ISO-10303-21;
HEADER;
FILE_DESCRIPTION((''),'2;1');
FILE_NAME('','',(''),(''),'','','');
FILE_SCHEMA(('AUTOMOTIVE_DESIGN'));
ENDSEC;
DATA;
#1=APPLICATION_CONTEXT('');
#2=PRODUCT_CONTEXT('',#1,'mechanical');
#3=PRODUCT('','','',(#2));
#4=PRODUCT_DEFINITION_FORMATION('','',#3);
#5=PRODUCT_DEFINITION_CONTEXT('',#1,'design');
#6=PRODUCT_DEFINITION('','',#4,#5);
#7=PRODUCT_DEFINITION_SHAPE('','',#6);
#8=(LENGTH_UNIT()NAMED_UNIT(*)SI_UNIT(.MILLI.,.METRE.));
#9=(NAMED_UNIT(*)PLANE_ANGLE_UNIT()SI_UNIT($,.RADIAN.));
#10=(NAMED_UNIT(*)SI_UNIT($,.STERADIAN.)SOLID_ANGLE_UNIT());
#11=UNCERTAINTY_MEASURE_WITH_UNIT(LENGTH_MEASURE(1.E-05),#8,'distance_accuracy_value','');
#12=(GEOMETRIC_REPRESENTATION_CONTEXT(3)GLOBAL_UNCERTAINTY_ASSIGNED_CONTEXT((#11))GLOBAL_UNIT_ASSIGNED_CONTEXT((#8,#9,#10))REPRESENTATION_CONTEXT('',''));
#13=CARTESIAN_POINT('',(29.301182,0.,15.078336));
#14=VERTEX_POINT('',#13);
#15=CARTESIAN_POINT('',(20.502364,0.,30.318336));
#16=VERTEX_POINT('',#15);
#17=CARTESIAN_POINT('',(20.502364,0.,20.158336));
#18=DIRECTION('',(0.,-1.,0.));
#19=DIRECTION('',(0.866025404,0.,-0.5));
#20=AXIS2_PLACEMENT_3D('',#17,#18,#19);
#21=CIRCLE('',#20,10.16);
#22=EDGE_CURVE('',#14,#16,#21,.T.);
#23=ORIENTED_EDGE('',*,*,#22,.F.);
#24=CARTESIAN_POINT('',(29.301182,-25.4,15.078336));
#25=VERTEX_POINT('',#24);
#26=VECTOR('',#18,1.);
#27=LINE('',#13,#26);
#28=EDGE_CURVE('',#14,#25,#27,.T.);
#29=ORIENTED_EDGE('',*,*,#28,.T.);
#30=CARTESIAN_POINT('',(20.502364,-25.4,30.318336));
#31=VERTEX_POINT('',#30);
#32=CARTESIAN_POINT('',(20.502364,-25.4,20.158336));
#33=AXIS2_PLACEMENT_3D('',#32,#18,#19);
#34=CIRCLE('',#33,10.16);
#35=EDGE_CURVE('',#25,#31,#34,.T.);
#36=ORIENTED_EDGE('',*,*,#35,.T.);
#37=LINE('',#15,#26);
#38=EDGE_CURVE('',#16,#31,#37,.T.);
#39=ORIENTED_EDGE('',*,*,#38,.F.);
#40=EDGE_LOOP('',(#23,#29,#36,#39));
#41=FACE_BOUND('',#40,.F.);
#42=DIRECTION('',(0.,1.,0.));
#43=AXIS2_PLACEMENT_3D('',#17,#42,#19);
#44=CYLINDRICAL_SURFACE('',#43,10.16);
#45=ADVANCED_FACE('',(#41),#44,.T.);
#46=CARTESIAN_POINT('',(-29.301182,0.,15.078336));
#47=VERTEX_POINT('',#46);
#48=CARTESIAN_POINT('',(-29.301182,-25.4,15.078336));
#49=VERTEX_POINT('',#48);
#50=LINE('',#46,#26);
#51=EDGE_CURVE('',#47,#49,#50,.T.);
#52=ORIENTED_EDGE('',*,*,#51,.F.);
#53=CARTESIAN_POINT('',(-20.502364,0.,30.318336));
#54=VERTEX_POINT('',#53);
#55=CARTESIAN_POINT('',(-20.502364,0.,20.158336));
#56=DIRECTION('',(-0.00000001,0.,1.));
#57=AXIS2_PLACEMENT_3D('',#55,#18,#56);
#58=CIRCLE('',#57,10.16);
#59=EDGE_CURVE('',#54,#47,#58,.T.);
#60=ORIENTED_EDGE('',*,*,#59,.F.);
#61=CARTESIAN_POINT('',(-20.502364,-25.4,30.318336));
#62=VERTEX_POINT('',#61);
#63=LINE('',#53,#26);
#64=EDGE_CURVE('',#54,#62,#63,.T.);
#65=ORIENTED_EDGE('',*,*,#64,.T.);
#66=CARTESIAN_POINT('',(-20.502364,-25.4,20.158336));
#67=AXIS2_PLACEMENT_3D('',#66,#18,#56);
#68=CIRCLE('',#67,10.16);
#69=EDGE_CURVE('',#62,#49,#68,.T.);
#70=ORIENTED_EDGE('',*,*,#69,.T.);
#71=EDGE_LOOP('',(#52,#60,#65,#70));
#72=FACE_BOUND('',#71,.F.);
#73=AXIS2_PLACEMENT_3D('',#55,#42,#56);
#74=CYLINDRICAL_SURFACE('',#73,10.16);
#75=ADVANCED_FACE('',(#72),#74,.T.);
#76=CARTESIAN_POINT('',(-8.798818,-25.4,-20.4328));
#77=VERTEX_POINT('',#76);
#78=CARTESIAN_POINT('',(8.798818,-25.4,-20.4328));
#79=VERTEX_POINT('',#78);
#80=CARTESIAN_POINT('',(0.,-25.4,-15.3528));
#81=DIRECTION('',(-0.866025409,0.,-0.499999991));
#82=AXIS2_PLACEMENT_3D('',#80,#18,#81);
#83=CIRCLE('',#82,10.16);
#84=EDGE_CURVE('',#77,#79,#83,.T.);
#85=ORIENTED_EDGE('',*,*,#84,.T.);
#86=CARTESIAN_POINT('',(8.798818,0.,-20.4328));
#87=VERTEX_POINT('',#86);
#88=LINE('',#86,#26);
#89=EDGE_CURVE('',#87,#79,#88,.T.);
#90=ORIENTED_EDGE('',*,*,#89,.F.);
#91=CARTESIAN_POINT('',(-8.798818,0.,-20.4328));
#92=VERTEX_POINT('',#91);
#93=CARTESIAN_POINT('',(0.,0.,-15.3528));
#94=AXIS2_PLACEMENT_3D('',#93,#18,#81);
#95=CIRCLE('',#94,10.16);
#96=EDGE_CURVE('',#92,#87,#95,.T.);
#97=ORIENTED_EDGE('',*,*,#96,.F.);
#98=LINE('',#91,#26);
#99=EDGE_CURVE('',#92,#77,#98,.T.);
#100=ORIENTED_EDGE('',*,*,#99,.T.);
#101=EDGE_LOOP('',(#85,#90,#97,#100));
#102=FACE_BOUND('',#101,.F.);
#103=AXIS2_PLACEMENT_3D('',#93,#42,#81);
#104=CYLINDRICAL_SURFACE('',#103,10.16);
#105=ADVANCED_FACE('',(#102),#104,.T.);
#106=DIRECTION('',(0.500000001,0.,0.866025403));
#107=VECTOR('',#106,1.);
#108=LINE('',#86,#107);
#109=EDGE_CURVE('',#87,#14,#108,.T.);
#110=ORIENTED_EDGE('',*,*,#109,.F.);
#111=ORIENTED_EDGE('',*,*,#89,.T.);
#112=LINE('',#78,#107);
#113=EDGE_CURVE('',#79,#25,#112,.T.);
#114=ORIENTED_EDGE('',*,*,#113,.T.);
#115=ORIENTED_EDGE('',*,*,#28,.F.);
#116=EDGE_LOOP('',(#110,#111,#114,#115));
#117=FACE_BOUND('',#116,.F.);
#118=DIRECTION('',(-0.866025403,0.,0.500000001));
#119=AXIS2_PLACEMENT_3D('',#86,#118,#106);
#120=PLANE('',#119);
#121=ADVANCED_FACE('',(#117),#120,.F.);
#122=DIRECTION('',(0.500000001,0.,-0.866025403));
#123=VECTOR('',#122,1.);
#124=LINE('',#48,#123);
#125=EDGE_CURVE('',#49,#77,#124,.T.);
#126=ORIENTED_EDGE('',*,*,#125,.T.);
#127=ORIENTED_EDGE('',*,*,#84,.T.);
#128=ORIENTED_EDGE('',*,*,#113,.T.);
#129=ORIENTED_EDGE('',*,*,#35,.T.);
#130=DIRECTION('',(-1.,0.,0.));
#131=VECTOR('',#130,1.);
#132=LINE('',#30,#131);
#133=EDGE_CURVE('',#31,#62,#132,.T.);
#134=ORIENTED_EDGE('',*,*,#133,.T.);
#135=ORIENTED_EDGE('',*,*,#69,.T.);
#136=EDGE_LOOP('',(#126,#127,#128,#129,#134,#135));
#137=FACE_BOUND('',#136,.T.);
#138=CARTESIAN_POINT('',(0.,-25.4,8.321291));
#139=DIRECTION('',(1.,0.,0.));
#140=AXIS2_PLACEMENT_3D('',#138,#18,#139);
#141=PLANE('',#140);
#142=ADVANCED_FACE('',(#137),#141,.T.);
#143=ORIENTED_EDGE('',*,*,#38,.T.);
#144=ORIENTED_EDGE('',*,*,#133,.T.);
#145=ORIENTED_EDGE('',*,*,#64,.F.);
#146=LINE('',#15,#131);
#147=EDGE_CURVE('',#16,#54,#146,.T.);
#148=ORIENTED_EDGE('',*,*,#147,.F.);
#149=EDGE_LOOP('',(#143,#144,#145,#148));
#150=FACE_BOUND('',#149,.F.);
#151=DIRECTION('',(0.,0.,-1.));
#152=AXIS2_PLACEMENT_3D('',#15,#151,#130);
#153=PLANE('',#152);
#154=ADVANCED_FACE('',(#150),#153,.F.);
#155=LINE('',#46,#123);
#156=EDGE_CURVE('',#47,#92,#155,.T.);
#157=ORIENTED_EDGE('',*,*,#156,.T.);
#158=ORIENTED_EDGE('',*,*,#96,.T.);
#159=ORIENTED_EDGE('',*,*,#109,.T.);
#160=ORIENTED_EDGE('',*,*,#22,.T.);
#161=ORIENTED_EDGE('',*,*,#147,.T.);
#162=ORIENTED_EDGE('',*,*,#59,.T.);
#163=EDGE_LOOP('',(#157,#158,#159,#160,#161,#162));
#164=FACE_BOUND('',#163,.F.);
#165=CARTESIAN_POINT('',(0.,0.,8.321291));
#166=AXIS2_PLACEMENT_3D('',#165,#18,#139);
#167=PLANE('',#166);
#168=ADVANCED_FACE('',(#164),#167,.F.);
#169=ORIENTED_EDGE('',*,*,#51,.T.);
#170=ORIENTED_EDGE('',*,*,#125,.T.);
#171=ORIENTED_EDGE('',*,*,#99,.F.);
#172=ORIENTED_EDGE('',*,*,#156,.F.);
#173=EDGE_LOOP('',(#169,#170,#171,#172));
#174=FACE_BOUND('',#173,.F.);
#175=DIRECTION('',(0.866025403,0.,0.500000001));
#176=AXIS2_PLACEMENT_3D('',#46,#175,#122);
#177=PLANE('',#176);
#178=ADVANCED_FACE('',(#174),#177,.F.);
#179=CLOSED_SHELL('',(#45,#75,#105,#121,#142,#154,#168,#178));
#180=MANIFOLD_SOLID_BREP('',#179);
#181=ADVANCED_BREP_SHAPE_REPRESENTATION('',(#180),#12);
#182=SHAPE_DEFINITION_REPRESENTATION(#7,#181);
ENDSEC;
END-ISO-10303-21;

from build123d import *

# Parameters (mm, degrees)
F1_DEPTH = 25.4


with BuildPart() as f1:
    # F0 (on Front) → F1 (new body)
    with BuildSketch(Plane.XZ):
        with BuildLine():
            Line((-29.301182, 15.078336), (-8.798818, -20.4328))
            ThreePointArc((-8.798818, -20.4328), (0, -25.5128), (8.798818, -20.4328))
            Line((8.798818, -20.4328), (29.301182, 15.078336))
            ThreePointArc((29.301182, 15.078336), (29.301182, 25.238336), (20.502364, 30.318336))
            Line((20.502364, 30.318336), (-20.502364, 30.318336))
            ThreePointArc((-20.502364, 30.318336), (-29.301182, 25.238336), (-29.301182, 15.078336))
        make_face()
    extrude(amount=F1_DEPTH)


solid = f1.part
